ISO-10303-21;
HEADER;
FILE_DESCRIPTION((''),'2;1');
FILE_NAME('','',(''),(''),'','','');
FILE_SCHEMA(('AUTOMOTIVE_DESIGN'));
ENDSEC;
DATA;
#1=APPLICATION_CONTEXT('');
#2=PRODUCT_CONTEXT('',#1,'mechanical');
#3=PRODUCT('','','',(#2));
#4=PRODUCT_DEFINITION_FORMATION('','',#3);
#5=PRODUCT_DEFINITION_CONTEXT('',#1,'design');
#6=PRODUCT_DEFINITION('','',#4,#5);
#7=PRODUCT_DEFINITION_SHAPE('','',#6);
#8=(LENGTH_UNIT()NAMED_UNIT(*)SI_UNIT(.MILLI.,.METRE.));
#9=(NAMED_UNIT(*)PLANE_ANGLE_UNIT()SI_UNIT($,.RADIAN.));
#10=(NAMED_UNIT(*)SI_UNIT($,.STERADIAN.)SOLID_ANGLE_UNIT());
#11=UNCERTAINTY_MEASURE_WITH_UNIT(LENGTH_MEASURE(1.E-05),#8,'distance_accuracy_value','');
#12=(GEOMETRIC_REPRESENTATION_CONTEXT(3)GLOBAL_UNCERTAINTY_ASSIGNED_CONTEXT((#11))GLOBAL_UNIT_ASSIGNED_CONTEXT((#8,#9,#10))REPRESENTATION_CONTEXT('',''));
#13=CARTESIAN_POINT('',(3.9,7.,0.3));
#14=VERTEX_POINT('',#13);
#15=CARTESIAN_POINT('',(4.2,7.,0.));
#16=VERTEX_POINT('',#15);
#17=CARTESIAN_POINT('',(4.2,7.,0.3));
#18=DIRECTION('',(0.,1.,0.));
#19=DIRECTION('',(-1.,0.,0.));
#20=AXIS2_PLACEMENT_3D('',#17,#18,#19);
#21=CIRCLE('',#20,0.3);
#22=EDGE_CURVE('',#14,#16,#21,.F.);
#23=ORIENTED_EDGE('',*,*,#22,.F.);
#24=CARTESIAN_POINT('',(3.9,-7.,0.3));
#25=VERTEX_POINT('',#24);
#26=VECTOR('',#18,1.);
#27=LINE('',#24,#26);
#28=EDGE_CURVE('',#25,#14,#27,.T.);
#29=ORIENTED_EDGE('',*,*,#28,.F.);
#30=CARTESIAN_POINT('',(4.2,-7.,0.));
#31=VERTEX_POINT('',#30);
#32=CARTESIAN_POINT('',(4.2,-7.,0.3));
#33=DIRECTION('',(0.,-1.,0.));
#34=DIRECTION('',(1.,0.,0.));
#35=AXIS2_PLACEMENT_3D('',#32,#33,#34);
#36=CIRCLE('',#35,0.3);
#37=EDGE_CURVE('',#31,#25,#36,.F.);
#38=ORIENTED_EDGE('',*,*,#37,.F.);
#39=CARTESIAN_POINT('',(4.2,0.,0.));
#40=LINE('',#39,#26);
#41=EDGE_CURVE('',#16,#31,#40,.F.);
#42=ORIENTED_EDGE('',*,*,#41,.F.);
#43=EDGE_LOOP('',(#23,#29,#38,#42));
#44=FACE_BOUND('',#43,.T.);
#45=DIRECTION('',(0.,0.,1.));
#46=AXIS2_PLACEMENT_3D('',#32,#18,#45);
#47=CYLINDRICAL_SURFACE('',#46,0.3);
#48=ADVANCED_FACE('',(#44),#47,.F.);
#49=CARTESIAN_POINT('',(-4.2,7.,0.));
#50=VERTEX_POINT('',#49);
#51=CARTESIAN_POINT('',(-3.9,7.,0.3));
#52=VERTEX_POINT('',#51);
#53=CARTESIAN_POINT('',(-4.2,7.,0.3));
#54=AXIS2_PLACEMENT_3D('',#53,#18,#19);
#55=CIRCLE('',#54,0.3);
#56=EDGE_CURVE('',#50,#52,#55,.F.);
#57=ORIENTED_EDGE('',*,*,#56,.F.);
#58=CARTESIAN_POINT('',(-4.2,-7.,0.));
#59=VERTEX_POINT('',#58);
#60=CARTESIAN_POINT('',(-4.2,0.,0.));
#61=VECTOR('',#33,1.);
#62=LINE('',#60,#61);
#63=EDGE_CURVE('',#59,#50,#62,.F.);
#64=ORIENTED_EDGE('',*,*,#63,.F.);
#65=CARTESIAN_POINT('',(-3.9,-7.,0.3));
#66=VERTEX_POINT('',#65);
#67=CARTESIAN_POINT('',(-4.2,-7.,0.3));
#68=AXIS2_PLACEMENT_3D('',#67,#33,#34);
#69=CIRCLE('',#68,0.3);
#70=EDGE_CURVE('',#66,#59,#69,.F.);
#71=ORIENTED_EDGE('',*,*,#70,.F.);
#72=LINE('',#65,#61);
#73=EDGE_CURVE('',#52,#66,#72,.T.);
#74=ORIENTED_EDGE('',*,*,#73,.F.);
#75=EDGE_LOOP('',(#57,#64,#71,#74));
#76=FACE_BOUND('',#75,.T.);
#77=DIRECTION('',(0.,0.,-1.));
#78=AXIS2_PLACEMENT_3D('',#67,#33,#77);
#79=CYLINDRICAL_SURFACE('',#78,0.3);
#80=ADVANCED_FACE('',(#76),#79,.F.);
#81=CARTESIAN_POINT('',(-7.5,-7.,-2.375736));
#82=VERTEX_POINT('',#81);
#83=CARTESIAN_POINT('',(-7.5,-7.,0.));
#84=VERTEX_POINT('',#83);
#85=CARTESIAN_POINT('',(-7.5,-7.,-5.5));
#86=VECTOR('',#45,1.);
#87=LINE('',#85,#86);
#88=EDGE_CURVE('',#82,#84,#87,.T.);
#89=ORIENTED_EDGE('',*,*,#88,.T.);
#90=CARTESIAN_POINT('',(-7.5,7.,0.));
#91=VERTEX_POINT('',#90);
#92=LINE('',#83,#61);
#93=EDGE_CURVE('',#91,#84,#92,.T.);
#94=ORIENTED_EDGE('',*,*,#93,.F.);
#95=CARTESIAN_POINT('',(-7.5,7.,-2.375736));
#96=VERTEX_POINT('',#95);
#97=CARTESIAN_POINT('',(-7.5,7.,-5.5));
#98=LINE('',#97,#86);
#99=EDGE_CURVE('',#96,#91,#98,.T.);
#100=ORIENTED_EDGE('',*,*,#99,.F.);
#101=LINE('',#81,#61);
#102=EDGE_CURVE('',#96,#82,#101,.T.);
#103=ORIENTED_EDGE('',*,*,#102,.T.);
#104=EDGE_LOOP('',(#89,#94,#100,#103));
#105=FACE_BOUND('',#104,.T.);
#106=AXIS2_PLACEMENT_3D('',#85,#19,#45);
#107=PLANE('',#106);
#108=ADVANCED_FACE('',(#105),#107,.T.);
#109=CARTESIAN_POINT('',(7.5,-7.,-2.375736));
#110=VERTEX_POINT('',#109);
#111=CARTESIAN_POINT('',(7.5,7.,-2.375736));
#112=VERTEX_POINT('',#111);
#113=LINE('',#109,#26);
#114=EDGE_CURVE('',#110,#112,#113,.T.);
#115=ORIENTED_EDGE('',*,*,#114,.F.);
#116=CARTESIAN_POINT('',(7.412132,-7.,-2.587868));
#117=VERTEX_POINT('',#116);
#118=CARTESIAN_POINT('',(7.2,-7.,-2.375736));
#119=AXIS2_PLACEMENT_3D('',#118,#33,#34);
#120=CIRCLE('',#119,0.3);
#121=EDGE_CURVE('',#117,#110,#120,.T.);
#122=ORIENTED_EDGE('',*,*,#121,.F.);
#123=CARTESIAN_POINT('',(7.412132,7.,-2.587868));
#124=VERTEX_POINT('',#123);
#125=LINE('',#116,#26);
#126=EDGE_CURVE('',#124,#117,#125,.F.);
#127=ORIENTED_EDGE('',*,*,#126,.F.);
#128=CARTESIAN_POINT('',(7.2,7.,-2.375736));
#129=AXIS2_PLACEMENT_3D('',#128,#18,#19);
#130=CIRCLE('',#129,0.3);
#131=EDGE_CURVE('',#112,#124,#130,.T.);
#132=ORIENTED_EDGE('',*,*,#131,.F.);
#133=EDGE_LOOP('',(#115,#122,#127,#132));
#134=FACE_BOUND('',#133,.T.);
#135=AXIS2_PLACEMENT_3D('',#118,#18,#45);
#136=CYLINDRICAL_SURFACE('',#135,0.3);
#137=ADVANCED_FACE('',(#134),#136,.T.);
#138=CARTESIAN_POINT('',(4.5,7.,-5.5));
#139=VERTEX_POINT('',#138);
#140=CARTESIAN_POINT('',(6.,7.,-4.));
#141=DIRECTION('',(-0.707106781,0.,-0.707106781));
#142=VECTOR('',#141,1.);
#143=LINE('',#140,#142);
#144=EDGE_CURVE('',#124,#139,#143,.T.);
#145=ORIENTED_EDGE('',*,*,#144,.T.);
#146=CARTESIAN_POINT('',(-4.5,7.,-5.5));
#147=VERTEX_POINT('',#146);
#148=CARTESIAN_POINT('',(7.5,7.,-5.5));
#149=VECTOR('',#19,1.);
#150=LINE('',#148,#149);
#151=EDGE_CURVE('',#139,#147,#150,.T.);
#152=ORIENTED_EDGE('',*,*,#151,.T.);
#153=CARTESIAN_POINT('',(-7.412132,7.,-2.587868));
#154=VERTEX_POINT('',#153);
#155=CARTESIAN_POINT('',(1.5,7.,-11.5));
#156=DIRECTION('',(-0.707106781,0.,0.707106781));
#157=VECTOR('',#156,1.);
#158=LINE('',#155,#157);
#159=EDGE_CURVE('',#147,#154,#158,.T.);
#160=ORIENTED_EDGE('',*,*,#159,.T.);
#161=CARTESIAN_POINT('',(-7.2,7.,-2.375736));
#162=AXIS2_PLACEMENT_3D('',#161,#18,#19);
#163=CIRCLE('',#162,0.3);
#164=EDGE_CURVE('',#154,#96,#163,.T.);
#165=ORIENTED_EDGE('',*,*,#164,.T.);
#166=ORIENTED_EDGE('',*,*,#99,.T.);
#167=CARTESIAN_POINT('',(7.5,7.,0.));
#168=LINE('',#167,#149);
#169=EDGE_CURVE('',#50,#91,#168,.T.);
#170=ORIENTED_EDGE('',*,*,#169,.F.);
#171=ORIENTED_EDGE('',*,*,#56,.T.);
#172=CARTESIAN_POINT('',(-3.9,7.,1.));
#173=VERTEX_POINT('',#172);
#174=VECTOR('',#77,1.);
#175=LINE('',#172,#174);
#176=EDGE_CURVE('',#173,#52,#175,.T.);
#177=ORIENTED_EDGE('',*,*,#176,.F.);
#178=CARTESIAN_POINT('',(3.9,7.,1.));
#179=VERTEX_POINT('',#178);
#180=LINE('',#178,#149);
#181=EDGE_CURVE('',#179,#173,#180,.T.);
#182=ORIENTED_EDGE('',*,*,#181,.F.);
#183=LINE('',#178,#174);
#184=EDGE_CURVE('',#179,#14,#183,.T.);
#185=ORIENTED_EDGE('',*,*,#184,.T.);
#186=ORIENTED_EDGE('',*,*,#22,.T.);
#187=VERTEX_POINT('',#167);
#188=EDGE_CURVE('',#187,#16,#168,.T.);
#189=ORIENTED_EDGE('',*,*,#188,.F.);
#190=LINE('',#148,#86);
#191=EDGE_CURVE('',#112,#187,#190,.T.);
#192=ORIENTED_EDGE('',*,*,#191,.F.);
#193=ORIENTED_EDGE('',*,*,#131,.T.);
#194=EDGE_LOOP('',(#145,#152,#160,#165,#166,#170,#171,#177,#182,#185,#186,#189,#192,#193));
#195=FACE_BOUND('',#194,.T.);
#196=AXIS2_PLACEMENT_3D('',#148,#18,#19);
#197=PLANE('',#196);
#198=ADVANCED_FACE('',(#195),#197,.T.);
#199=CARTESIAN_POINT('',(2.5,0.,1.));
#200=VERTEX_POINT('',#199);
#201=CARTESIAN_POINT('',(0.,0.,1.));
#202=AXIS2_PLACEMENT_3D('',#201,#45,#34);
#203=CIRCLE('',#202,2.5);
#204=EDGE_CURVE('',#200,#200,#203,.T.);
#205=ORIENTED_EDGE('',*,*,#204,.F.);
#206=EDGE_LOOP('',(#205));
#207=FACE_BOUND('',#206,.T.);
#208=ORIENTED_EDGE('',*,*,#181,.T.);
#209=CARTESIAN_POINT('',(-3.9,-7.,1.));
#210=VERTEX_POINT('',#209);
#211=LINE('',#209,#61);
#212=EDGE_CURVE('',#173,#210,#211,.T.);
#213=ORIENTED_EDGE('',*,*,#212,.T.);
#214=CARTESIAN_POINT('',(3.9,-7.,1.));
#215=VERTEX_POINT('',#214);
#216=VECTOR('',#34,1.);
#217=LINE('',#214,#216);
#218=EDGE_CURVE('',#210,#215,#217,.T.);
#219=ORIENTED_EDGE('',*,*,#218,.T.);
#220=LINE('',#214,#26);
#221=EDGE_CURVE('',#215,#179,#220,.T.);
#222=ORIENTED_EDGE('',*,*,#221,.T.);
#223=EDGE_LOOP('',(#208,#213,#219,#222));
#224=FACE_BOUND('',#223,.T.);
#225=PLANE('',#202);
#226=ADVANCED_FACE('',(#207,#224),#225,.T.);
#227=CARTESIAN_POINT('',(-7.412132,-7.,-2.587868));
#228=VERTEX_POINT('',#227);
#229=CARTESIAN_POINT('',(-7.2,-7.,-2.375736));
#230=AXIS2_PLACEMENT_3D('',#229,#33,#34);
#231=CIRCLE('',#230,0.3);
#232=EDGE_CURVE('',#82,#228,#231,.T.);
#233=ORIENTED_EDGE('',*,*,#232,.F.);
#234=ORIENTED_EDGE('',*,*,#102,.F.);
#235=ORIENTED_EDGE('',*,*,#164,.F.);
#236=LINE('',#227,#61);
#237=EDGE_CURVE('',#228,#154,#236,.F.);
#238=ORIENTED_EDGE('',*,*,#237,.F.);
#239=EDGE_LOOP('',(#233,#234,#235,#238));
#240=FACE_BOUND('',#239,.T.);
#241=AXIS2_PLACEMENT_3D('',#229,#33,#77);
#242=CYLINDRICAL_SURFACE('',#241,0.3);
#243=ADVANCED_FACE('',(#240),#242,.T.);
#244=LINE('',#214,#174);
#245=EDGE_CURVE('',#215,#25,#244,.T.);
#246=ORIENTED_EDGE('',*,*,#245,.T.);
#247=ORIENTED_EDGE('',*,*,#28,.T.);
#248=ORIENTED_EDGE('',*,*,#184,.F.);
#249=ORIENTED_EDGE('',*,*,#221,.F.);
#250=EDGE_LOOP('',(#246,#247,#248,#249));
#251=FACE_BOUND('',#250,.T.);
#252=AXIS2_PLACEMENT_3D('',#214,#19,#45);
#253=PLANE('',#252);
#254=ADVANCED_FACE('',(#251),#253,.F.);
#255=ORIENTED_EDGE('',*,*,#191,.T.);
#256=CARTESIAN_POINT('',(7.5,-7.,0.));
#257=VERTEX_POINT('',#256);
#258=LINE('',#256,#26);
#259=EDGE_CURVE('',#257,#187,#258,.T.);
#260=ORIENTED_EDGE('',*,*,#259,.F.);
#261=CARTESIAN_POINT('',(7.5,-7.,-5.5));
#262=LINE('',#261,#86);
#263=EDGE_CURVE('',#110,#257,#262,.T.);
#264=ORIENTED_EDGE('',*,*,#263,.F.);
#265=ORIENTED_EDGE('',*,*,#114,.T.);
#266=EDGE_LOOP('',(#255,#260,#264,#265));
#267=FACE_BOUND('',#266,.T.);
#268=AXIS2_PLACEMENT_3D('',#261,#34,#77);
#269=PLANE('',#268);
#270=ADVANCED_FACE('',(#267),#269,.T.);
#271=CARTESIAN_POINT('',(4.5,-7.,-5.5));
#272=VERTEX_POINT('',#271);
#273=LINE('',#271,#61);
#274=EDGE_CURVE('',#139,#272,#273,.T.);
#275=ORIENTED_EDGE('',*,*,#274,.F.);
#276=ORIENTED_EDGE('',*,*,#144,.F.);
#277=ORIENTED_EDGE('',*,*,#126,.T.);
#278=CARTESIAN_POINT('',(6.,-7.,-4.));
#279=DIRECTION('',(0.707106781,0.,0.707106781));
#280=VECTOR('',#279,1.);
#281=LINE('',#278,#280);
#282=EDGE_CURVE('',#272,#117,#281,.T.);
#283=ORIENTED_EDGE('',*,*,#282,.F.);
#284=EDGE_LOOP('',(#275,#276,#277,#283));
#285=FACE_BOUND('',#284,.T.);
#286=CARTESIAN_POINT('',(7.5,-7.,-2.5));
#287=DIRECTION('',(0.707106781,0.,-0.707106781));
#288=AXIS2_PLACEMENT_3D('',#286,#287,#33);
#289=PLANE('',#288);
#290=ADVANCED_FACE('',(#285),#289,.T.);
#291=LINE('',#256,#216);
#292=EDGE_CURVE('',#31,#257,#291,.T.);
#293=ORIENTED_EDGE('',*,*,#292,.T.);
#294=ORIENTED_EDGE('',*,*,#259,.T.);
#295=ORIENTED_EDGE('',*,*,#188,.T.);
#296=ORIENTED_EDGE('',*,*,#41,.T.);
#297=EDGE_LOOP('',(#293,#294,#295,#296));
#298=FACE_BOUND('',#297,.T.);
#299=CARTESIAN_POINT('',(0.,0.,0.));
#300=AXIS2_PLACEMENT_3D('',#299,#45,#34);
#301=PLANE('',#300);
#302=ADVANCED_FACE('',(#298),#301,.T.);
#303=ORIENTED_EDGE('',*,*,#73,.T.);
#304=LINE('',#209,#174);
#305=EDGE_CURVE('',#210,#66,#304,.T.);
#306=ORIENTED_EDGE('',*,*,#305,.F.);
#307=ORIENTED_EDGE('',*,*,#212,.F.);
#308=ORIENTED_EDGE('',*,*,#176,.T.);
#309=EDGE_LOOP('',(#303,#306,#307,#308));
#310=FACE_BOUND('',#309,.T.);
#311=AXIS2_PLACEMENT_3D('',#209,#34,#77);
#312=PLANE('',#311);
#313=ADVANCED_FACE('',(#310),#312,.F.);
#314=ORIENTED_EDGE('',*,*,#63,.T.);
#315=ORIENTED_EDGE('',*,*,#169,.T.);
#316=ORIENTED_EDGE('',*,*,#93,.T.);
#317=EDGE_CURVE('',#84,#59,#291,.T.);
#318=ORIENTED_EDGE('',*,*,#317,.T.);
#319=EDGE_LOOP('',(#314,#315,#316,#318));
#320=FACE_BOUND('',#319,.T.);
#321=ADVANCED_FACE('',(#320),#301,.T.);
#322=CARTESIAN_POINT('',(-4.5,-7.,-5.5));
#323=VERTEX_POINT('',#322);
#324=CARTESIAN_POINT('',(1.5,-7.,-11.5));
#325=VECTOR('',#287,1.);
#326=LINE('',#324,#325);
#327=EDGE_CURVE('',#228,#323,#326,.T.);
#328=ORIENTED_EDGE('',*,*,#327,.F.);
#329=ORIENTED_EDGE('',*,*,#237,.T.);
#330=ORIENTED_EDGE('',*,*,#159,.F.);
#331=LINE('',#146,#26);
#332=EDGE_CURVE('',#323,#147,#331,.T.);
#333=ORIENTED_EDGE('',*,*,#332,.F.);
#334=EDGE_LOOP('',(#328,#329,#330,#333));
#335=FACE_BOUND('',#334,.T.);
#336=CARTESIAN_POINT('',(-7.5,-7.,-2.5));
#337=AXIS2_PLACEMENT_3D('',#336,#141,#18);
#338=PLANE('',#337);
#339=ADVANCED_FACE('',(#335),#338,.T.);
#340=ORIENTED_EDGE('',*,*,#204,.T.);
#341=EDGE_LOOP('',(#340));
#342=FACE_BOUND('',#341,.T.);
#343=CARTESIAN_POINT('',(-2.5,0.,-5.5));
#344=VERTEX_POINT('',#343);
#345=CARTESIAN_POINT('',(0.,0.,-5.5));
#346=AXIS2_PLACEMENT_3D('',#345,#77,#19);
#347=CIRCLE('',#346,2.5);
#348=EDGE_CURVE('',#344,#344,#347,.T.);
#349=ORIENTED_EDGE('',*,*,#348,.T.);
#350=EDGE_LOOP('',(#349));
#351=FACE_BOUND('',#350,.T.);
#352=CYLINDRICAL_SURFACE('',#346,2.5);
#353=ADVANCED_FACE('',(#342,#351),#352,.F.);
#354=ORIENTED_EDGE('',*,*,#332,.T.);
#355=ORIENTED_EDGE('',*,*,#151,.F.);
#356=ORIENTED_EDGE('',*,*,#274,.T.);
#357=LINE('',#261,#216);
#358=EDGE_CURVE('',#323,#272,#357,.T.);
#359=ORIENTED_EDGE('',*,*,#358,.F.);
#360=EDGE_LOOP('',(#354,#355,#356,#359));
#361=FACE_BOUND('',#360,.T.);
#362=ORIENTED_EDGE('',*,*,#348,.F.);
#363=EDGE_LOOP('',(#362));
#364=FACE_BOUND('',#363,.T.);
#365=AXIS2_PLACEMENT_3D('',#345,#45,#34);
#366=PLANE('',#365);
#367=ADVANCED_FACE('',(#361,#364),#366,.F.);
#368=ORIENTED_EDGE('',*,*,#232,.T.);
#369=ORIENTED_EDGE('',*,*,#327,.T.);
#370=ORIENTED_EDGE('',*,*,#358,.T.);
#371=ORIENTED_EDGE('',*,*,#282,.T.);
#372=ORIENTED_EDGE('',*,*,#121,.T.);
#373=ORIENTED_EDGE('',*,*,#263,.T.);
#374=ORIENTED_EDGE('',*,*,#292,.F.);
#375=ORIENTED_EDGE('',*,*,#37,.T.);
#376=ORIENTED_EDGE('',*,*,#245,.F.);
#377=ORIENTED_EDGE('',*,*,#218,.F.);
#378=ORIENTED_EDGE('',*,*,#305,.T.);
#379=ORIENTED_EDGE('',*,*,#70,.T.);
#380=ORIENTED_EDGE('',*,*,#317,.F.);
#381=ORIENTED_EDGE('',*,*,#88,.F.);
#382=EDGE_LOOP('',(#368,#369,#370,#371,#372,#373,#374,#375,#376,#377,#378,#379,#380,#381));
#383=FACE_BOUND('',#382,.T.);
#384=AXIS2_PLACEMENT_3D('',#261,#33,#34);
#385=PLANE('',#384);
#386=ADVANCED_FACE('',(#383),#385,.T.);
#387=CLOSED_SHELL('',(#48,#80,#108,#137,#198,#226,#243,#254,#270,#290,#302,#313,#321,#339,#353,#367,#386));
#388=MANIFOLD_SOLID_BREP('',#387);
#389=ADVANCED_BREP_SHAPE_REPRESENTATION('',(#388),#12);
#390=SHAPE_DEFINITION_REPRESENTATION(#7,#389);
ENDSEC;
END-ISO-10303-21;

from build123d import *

# Parameters (mm, degrees)
SKETCH1_W      = 15
SKETCH1_H      = 14
EXTRUDE1_DEPTH = 5.5
SKETCH2_W      = 7.8
SKETCH2_H      = 14
EXTRUDE2_DEPTH = 1
SKETCH7_W      = 2.5
SKETCH7_H      = 6.500025
CHAMFER1_SIZE  = 3
FILLET1_R      = 0.3


with BuildPart() as part:
    # Sketch1 → Extrude1 (new body)
    with BuildSketch(Plane.XY):
        Rectangle(SKETCH1_W, SKETCH1_H)
    extrude(amount=-EXTRUDE1_DEPTH)

    # Sketch2 → Extrude2 (add)
    with BuildSketch(Plane.XY):
        Rectangle(SKETCH2_W, SKETCH2_H)
    extrude(amount=EXTRUDE2_DEPTH)

    # Sketch7 → M6x1.0 Tapped Hole1 (revolve, cut)
    with BuildSketch(Plane(origin=(0, 0, -5.5), x_dir=(0, 1, 0), z_dir=(1, 0, 0))):
        with Locations((1.25, 3.2500125)):
            Rectangle(SKETCH7_W, SKETCH7_H)
    revolve(axis=Axis((0, 0, -11.85), (0, 0, 1)), mode=Mode.SUBTRACT)

    # Chamfer1
    chamfer1_edges = [part.edges().sort_by_distance(p)[0] for p in [
        (7.5, 0, -5.5),
        (-7.5, 0, -5.5),
    ]]
    chamfer(chamfer1_edges, length=CHAMFER1_SIZE)

    # Fillet1
    fillet1_edges = [part.edges().sort_by_distance(p)[0] for p in [
        (-3.9, 0, 0),
        (3.9, 0, 0),
        (7.5, 0, -2.5),
        (-7.5, 0, -2.5),
    ]]
    fillet(fillet1_edges, radius=FILLET1_R)


solid = part.part
